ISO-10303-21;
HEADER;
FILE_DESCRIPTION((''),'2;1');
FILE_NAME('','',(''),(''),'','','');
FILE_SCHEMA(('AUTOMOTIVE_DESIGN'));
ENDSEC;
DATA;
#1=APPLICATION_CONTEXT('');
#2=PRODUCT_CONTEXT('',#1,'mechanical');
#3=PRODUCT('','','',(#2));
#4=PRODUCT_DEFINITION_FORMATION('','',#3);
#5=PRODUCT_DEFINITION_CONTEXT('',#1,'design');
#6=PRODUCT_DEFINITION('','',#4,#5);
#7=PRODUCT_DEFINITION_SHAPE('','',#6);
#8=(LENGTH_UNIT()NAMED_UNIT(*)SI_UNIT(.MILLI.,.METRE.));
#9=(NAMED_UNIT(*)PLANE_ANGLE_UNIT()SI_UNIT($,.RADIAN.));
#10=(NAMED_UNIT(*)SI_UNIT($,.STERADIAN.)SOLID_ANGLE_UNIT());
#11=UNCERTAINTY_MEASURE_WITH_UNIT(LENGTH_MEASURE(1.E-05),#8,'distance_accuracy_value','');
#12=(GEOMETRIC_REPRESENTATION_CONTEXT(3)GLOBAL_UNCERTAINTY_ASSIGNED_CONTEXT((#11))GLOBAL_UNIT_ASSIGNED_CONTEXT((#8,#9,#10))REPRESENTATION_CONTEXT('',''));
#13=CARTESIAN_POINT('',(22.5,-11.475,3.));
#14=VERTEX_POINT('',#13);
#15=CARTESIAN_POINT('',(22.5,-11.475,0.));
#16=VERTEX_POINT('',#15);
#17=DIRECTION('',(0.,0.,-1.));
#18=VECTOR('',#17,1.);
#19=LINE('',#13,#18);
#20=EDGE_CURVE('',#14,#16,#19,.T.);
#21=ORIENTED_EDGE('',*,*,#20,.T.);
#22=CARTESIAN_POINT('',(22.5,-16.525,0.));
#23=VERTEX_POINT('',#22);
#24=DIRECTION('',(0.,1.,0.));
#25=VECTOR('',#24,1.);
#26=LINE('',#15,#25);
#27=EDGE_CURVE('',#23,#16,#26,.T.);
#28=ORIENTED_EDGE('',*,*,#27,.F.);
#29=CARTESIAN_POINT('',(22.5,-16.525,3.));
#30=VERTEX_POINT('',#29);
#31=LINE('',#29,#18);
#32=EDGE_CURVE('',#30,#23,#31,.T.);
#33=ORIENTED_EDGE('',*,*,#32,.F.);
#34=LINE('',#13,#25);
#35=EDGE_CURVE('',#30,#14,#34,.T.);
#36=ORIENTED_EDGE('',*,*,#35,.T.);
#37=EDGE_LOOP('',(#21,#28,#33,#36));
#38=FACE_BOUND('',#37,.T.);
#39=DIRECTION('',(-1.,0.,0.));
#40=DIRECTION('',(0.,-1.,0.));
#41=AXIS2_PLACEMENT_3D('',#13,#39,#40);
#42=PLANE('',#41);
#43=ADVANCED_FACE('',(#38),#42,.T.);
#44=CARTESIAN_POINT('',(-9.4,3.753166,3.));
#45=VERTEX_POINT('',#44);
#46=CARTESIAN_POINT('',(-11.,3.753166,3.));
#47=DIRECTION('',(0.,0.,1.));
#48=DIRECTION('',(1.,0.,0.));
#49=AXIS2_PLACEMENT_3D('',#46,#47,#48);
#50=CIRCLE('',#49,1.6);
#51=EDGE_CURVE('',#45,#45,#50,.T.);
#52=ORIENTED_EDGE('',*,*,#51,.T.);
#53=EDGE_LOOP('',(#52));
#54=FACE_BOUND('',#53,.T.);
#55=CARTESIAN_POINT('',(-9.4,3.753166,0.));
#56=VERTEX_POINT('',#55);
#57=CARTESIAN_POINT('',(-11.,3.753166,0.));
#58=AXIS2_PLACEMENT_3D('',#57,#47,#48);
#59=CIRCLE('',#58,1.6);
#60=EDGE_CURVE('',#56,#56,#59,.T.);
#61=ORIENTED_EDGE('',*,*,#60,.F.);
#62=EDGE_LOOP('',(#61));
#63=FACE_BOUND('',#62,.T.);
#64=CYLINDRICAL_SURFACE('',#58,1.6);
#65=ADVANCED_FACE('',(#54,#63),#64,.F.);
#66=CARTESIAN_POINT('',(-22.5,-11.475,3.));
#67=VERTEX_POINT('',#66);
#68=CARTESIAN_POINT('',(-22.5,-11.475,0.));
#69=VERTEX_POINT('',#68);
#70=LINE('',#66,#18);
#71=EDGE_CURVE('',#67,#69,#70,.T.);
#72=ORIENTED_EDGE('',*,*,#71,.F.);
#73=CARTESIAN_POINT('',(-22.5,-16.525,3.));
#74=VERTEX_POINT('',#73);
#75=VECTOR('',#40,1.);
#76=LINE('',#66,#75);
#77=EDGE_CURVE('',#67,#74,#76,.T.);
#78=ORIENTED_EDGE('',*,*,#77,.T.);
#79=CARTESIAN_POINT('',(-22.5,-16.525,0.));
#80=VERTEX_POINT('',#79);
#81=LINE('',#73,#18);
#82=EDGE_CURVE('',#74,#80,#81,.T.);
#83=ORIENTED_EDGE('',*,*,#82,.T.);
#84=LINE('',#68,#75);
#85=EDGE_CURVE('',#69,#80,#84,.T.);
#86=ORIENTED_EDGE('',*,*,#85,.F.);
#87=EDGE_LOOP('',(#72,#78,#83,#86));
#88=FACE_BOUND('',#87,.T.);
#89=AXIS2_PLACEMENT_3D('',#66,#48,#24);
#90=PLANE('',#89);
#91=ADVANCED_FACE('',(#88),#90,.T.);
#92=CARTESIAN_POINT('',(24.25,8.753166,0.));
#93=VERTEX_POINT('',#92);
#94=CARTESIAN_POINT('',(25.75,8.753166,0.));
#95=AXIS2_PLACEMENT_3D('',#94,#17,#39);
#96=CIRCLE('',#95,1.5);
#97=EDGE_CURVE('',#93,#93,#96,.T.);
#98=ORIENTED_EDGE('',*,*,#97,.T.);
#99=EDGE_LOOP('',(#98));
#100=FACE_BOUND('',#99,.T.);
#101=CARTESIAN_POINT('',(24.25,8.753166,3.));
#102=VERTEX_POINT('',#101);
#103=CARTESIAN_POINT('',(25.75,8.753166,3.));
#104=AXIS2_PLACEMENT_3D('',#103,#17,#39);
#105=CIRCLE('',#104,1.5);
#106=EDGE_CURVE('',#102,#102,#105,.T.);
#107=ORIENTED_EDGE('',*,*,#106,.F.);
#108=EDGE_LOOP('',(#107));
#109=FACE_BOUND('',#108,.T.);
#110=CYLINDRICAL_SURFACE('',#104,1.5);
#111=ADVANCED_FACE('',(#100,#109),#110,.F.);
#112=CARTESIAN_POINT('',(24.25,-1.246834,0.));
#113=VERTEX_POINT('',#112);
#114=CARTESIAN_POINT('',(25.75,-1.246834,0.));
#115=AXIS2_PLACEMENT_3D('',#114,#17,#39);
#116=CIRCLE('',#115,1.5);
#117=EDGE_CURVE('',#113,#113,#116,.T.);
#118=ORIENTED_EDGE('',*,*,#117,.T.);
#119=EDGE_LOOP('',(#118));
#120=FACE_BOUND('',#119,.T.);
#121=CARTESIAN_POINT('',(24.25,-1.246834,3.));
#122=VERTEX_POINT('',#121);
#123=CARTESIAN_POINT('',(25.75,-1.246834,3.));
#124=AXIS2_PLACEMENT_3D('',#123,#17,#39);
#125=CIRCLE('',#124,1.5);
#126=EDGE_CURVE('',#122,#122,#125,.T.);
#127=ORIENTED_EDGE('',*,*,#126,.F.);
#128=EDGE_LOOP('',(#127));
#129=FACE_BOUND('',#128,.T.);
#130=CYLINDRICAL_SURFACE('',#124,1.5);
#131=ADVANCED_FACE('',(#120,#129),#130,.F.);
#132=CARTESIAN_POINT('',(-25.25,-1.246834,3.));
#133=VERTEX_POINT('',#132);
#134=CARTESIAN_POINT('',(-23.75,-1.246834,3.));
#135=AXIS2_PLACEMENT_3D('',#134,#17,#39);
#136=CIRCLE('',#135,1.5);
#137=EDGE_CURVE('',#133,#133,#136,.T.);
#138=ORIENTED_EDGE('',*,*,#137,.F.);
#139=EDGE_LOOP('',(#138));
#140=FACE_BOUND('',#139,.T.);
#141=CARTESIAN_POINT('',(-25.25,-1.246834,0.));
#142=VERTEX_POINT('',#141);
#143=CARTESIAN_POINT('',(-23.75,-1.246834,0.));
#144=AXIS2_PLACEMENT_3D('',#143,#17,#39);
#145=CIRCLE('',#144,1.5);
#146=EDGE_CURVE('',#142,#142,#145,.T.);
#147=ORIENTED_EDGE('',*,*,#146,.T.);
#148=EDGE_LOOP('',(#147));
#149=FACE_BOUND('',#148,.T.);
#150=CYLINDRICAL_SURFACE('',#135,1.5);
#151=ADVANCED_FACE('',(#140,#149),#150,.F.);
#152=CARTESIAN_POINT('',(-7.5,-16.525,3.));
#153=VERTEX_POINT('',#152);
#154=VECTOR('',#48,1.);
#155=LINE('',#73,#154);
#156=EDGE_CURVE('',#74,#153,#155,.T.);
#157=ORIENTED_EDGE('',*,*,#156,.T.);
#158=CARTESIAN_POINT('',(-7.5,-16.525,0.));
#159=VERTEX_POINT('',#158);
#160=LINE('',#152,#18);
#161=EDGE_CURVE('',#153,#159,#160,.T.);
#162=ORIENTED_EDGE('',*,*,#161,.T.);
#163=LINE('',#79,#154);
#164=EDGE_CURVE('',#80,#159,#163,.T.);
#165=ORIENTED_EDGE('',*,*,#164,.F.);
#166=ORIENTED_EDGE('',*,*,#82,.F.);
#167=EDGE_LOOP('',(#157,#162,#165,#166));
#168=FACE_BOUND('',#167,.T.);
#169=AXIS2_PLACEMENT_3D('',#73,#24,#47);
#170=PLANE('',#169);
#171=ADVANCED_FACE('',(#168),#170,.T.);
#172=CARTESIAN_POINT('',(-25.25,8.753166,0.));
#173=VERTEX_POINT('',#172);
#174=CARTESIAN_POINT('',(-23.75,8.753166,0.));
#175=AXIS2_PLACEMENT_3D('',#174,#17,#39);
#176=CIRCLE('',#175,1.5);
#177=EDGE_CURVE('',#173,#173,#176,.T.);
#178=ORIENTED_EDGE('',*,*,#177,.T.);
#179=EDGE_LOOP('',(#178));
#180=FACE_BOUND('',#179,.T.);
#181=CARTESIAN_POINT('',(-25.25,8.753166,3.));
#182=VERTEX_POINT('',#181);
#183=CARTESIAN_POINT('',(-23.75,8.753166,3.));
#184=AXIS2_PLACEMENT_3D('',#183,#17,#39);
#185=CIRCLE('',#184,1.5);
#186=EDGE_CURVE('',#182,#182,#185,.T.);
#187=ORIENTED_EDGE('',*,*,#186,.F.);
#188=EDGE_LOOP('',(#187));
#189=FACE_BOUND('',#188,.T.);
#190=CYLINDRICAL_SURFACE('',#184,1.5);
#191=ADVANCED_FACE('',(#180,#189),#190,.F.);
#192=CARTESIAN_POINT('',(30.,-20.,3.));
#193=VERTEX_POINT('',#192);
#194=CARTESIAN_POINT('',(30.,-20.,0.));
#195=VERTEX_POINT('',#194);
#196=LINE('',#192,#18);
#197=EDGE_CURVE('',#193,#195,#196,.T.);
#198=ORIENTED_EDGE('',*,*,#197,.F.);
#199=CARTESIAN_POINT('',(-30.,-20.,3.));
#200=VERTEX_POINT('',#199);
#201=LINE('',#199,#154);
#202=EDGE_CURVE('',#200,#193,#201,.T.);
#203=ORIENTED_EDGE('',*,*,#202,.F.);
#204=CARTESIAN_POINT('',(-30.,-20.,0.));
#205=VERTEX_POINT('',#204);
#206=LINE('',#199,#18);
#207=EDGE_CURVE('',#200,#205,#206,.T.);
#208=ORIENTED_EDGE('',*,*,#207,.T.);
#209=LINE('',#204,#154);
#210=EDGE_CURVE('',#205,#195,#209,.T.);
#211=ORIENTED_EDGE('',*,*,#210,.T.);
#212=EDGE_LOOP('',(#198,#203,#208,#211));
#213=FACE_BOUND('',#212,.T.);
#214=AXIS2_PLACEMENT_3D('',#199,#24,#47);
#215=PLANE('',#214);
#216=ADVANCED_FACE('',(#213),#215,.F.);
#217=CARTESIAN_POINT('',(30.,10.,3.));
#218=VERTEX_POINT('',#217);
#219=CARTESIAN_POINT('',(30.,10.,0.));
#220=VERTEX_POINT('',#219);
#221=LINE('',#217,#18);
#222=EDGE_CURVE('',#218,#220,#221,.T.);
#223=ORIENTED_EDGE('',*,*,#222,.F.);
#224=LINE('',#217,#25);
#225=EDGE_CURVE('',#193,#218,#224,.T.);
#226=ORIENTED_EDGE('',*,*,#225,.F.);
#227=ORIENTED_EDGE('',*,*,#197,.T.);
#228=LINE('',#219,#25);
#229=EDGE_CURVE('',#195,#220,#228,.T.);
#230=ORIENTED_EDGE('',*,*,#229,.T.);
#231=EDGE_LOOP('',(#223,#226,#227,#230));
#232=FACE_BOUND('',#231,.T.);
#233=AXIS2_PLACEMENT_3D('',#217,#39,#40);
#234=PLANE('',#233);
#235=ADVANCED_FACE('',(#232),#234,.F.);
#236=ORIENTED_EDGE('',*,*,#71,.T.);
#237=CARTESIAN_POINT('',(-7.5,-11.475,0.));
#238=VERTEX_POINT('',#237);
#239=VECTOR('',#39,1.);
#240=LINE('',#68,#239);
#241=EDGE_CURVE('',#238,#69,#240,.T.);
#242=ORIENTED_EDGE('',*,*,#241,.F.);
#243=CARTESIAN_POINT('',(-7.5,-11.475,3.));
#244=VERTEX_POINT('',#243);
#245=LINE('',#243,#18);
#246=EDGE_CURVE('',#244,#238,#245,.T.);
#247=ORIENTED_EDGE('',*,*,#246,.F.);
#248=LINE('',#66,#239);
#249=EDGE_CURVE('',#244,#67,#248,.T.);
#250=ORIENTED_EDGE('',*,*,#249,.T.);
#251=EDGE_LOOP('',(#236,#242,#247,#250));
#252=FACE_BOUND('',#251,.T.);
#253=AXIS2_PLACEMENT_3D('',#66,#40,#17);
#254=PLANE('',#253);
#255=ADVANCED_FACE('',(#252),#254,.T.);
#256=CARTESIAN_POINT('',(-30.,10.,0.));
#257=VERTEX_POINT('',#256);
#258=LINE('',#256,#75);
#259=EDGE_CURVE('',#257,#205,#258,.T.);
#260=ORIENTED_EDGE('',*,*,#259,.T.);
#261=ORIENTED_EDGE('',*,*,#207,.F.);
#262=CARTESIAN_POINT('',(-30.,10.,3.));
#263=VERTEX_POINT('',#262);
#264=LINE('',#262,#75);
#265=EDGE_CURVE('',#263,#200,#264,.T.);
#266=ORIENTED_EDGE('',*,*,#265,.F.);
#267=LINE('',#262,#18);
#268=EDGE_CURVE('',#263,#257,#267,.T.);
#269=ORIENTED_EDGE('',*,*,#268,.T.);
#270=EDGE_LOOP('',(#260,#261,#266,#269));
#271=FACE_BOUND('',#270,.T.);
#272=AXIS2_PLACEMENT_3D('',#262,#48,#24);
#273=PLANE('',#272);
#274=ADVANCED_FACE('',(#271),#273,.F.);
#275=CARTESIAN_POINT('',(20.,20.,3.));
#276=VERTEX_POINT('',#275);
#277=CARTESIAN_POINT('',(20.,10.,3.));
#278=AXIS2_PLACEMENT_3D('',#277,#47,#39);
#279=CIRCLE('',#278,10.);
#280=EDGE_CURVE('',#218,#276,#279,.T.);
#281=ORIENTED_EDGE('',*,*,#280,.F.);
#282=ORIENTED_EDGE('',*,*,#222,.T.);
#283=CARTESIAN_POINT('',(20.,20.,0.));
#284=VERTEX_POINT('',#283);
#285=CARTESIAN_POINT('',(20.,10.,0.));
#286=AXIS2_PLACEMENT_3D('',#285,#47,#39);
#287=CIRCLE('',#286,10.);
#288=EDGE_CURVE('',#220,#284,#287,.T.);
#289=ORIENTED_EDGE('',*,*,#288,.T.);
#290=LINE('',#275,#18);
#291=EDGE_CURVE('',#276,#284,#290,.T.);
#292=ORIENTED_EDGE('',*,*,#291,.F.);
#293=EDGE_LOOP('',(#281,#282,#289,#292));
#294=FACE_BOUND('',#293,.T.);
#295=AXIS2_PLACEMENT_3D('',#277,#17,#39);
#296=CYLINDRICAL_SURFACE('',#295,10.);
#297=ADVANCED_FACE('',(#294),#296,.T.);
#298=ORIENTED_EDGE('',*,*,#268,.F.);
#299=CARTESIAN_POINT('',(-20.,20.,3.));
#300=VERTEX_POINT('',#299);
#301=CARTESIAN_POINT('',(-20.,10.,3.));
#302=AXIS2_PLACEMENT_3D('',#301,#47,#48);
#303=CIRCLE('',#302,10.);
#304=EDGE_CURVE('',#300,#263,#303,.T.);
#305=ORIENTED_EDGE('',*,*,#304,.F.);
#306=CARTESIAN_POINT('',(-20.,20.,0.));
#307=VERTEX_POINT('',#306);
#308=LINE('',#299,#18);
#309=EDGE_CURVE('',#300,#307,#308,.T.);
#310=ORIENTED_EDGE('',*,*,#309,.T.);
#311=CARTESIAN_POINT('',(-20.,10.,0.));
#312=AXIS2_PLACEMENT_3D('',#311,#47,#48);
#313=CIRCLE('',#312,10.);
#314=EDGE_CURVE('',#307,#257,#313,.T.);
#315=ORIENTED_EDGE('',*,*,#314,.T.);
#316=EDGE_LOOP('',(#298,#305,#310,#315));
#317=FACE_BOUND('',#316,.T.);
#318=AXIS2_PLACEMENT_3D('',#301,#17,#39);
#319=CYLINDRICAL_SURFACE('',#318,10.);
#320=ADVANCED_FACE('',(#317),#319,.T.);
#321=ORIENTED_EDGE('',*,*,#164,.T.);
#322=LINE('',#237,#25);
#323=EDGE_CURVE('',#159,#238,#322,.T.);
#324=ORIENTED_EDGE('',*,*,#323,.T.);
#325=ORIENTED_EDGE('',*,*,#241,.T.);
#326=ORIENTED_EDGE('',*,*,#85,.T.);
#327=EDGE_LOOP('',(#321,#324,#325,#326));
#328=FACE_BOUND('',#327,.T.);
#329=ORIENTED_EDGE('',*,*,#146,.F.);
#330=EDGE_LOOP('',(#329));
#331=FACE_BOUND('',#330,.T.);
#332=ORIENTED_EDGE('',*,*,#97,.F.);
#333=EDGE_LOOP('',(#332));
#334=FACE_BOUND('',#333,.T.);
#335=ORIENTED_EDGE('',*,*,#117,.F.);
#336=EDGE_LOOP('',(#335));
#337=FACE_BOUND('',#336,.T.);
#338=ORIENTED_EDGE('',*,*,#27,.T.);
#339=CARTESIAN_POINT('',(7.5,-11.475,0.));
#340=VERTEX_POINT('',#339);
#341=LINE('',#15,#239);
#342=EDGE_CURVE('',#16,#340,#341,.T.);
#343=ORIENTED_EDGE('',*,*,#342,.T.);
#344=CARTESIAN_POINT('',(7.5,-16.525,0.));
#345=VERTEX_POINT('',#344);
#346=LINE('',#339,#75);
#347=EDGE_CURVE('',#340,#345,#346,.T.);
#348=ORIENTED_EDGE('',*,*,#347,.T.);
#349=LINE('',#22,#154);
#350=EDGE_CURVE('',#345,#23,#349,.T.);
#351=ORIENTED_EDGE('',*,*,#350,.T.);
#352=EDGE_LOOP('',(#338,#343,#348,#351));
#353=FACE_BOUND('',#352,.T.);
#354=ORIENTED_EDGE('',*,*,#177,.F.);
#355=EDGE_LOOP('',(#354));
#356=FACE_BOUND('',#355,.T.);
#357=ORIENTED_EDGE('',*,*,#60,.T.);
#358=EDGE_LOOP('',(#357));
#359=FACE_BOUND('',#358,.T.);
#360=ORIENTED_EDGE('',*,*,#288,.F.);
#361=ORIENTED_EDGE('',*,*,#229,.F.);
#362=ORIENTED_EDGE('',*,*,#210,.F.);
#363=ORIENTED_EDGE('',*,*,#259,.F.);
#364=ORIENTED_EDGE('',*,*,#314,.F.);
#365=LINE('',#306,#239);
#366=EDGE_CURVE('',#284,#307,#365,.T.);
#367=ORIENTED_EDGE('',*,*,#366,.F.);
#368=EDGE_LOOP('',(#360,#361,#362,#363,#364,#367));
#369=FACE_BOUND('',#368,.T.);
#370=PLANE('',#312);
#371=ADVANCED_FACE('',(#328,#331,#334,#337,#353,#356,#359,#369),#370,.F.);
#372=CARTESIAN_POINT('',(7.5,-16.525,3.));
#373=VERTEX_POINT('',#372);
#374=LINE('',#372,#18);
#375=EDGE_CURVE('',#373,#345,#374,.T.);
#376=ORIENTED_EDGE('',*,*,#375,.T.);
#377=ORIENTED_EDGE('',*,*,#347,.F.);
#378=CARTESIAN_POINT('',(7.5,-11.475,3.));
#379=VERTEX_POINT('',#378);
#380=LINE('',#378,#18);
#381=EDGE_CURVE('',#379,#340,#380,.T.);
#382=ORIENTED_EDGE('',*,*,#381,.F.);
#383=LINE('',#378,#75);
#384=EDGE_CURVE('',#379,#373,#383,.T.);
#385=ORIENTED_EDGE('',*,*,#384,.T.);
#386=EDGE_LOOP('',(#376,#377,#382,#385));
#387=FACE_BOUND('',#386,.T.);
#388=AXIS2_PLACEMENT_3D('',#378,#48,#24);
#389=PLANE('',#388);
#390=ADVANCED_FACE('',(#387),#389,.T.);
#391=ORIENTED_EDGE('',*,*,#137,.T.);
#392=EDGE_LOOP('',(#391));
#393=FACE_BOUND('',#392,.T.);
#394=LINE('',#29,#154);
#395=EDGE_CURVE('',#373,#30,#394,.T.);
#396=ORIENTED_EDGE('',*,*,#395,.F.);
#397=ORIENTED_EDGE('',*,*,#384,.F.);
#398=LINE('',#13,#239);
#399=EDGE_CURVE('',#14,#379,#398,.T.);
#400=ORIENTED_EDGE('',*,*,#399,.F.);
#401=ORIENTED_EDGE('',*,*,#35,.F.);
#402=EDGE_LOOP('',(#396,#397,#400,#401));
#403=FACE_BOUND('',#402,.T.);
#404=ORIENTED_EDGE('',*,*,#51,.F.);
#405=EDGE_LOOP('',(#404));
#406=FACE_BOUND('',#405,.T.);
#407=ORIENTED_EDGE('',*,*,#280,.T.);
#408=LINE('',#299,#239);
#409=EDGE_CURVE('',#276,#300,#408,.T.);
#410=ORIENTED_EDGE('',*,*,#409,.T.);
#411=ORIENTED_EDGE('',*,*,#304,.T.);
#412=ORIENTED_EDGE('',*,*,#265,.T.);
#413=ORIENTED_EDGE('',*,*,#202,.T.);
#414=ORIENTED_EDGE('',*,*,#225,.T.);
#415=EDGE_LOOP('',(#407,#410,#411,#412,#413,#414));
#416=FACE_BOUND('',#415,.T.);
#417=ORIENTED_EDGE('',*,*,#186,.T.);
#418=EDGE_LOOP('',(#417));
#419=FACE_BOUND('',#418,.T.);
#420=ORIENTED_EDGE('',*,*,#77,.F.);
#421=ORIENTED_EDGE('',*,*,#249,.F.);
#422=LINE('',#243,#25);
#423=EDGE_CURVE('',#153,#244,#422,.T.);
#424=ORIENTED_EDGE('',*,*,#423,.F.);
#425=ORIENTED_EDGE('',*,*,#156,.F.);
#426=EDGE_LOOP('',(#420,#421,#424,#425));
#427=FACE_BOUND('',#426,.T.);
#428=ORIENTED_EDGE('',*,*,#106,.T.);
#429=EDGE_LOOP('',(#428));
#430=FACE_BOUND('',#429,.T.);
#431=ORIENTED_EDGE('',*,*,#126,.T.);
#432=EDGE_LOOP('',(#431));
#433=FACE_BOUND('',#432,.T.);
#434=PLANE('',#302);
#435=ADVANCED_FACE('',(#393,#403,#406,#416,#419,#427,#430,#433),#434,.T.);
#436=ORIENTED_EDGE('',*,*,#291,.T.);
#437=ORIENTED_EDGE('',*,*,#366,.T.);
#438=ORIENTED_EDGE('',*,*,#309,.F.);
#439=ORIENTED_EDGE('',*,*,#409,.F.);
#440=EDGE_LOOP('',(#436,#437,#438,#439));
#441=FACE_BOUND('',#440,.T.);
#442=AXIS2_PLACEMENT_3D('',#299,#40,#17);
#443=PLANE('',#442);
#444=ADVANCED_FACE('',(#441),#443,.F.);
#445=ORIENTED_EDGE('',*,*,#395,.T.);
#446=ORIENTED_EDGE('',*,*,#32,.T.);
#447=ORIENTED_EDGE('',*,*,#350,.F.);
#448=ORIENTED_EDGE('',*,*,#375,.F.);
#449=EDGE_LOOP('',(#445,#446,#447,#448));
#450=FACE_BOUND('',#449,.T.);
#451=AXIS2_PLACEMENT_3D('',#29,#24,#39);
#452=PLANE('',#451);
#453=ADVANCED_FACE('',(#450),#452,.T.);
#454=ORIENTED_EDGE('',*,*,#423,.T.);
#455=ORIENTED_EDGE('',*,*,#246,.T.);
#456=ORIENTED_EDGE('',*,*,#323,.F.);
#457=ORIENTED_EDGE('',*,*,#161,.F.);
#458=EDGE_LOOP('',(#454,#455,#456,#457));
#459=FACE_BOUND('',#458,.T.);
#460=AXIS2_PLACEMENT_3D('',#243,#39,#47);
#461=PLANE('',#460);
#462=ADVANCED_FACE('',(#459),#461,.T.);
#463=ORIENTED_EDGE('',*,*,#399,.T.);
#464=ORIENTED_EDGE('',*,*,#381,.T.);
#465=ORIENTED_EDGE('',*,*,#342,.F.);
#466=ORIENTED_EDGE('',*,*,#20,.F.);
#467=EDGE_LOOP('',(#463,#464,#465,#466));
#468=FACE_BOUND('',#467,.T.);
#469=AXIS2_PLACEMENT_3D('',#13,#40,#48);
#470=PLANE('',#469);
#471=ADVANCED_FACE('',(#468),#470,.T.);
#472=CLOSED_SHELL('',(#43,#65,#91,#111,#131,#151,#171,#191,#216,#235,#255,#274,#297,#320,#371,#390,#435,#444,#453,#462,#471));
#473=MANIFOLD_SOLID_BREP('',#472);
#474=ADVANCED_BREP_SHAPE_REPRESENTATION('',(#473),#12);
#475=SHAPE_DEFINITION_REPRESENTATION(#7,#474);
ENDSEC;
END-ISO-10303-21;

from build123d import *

# Parameters (mm, degrees)
ESQUISSE1_W             = 15
ESQUISSE1_H             = 5.05
BOSS_EXTRU_1_DEPTH      = 3
ESQUISSE2_R             = 7.5
ESQUISSE2_R_2           = 1.6
ENL_V_MAT_EXTRU_1_DEPTH = 37.18010503
ESQUISSE3_R             = 1.5
ENL_V_MAT_EXTRU_2_DEPTH = 37.18010503


with BuildPart() as part:
    # Esquisse1 → Boss.-Extru.1 (new body)
    with BuildSketch(Plane.XY):
        with BuildLine():
            Line((-20, 20), (20, 20))
            ThreePointArc((20, 20), (27.071067812, 17.071067812), (30, 10))
            Line((30, 10), (30, -20))
            Line((30, -20), (-30, -20))
            Line((-30, -20), (-30, 10))
            ThreePointArc((-30, 10), (-27.071067812, 17.071067812), (-20, 20))
        make_face()
        with Locations((15, -14)):
            Rectangle(ESQUISSE1_W, ESQUISSE1_H, mode=Mode.SUBTRACT)
        with Locations((-15, -14)):
            Rectangle(ESQUISSE1_W, ESQUISSE1_H, mode=Mode.SUBTRACT)
    extrude(amount=BOSS_EXTRU_1_DEPTH)

    # Esquisse2 → Enlèv. mat.-Extru.1 (cut, through all)
    with BuildSketch(Plane.XY.offset(3)):
        with Locations((11, -35.28215794)):
            Circle(ESQUISSE2_R)
        with Locations((-11, 3.753166138)):
            Circle(ESQUISSE2_R_2)
    extrude(amount=-ENL_V_MAT_EXTRU_1_DEPTH, mode=Mode.SUBTRACT)

    # Esquisse3 → Enlèv. mat.-Extru.2 (cut, through all)
    with BuildSketch(Plane(origin=(0, 0, 0), x_dir=(-1, 0, 0), z_dir=(0, 0, -1))):
        with Locations((-25.75, 8.753166138)):
            Circle(ESQUISSE3_R)
        with Locations((-25.75, -1.246833862)):
            Circle(ESQUISSE3_R)
        with Locations((23.75, 8.753166138)):
            Circle(ESQUISSE3_R)
        with Locations((23.75, -1.246833862)):
            Circle(ESQUISSE3_R)
    extrude(amount=-ENL_V_MAT_EXTRU_2_DEPTH, mode=Mode.SUBTRACT)


solid = part.part
